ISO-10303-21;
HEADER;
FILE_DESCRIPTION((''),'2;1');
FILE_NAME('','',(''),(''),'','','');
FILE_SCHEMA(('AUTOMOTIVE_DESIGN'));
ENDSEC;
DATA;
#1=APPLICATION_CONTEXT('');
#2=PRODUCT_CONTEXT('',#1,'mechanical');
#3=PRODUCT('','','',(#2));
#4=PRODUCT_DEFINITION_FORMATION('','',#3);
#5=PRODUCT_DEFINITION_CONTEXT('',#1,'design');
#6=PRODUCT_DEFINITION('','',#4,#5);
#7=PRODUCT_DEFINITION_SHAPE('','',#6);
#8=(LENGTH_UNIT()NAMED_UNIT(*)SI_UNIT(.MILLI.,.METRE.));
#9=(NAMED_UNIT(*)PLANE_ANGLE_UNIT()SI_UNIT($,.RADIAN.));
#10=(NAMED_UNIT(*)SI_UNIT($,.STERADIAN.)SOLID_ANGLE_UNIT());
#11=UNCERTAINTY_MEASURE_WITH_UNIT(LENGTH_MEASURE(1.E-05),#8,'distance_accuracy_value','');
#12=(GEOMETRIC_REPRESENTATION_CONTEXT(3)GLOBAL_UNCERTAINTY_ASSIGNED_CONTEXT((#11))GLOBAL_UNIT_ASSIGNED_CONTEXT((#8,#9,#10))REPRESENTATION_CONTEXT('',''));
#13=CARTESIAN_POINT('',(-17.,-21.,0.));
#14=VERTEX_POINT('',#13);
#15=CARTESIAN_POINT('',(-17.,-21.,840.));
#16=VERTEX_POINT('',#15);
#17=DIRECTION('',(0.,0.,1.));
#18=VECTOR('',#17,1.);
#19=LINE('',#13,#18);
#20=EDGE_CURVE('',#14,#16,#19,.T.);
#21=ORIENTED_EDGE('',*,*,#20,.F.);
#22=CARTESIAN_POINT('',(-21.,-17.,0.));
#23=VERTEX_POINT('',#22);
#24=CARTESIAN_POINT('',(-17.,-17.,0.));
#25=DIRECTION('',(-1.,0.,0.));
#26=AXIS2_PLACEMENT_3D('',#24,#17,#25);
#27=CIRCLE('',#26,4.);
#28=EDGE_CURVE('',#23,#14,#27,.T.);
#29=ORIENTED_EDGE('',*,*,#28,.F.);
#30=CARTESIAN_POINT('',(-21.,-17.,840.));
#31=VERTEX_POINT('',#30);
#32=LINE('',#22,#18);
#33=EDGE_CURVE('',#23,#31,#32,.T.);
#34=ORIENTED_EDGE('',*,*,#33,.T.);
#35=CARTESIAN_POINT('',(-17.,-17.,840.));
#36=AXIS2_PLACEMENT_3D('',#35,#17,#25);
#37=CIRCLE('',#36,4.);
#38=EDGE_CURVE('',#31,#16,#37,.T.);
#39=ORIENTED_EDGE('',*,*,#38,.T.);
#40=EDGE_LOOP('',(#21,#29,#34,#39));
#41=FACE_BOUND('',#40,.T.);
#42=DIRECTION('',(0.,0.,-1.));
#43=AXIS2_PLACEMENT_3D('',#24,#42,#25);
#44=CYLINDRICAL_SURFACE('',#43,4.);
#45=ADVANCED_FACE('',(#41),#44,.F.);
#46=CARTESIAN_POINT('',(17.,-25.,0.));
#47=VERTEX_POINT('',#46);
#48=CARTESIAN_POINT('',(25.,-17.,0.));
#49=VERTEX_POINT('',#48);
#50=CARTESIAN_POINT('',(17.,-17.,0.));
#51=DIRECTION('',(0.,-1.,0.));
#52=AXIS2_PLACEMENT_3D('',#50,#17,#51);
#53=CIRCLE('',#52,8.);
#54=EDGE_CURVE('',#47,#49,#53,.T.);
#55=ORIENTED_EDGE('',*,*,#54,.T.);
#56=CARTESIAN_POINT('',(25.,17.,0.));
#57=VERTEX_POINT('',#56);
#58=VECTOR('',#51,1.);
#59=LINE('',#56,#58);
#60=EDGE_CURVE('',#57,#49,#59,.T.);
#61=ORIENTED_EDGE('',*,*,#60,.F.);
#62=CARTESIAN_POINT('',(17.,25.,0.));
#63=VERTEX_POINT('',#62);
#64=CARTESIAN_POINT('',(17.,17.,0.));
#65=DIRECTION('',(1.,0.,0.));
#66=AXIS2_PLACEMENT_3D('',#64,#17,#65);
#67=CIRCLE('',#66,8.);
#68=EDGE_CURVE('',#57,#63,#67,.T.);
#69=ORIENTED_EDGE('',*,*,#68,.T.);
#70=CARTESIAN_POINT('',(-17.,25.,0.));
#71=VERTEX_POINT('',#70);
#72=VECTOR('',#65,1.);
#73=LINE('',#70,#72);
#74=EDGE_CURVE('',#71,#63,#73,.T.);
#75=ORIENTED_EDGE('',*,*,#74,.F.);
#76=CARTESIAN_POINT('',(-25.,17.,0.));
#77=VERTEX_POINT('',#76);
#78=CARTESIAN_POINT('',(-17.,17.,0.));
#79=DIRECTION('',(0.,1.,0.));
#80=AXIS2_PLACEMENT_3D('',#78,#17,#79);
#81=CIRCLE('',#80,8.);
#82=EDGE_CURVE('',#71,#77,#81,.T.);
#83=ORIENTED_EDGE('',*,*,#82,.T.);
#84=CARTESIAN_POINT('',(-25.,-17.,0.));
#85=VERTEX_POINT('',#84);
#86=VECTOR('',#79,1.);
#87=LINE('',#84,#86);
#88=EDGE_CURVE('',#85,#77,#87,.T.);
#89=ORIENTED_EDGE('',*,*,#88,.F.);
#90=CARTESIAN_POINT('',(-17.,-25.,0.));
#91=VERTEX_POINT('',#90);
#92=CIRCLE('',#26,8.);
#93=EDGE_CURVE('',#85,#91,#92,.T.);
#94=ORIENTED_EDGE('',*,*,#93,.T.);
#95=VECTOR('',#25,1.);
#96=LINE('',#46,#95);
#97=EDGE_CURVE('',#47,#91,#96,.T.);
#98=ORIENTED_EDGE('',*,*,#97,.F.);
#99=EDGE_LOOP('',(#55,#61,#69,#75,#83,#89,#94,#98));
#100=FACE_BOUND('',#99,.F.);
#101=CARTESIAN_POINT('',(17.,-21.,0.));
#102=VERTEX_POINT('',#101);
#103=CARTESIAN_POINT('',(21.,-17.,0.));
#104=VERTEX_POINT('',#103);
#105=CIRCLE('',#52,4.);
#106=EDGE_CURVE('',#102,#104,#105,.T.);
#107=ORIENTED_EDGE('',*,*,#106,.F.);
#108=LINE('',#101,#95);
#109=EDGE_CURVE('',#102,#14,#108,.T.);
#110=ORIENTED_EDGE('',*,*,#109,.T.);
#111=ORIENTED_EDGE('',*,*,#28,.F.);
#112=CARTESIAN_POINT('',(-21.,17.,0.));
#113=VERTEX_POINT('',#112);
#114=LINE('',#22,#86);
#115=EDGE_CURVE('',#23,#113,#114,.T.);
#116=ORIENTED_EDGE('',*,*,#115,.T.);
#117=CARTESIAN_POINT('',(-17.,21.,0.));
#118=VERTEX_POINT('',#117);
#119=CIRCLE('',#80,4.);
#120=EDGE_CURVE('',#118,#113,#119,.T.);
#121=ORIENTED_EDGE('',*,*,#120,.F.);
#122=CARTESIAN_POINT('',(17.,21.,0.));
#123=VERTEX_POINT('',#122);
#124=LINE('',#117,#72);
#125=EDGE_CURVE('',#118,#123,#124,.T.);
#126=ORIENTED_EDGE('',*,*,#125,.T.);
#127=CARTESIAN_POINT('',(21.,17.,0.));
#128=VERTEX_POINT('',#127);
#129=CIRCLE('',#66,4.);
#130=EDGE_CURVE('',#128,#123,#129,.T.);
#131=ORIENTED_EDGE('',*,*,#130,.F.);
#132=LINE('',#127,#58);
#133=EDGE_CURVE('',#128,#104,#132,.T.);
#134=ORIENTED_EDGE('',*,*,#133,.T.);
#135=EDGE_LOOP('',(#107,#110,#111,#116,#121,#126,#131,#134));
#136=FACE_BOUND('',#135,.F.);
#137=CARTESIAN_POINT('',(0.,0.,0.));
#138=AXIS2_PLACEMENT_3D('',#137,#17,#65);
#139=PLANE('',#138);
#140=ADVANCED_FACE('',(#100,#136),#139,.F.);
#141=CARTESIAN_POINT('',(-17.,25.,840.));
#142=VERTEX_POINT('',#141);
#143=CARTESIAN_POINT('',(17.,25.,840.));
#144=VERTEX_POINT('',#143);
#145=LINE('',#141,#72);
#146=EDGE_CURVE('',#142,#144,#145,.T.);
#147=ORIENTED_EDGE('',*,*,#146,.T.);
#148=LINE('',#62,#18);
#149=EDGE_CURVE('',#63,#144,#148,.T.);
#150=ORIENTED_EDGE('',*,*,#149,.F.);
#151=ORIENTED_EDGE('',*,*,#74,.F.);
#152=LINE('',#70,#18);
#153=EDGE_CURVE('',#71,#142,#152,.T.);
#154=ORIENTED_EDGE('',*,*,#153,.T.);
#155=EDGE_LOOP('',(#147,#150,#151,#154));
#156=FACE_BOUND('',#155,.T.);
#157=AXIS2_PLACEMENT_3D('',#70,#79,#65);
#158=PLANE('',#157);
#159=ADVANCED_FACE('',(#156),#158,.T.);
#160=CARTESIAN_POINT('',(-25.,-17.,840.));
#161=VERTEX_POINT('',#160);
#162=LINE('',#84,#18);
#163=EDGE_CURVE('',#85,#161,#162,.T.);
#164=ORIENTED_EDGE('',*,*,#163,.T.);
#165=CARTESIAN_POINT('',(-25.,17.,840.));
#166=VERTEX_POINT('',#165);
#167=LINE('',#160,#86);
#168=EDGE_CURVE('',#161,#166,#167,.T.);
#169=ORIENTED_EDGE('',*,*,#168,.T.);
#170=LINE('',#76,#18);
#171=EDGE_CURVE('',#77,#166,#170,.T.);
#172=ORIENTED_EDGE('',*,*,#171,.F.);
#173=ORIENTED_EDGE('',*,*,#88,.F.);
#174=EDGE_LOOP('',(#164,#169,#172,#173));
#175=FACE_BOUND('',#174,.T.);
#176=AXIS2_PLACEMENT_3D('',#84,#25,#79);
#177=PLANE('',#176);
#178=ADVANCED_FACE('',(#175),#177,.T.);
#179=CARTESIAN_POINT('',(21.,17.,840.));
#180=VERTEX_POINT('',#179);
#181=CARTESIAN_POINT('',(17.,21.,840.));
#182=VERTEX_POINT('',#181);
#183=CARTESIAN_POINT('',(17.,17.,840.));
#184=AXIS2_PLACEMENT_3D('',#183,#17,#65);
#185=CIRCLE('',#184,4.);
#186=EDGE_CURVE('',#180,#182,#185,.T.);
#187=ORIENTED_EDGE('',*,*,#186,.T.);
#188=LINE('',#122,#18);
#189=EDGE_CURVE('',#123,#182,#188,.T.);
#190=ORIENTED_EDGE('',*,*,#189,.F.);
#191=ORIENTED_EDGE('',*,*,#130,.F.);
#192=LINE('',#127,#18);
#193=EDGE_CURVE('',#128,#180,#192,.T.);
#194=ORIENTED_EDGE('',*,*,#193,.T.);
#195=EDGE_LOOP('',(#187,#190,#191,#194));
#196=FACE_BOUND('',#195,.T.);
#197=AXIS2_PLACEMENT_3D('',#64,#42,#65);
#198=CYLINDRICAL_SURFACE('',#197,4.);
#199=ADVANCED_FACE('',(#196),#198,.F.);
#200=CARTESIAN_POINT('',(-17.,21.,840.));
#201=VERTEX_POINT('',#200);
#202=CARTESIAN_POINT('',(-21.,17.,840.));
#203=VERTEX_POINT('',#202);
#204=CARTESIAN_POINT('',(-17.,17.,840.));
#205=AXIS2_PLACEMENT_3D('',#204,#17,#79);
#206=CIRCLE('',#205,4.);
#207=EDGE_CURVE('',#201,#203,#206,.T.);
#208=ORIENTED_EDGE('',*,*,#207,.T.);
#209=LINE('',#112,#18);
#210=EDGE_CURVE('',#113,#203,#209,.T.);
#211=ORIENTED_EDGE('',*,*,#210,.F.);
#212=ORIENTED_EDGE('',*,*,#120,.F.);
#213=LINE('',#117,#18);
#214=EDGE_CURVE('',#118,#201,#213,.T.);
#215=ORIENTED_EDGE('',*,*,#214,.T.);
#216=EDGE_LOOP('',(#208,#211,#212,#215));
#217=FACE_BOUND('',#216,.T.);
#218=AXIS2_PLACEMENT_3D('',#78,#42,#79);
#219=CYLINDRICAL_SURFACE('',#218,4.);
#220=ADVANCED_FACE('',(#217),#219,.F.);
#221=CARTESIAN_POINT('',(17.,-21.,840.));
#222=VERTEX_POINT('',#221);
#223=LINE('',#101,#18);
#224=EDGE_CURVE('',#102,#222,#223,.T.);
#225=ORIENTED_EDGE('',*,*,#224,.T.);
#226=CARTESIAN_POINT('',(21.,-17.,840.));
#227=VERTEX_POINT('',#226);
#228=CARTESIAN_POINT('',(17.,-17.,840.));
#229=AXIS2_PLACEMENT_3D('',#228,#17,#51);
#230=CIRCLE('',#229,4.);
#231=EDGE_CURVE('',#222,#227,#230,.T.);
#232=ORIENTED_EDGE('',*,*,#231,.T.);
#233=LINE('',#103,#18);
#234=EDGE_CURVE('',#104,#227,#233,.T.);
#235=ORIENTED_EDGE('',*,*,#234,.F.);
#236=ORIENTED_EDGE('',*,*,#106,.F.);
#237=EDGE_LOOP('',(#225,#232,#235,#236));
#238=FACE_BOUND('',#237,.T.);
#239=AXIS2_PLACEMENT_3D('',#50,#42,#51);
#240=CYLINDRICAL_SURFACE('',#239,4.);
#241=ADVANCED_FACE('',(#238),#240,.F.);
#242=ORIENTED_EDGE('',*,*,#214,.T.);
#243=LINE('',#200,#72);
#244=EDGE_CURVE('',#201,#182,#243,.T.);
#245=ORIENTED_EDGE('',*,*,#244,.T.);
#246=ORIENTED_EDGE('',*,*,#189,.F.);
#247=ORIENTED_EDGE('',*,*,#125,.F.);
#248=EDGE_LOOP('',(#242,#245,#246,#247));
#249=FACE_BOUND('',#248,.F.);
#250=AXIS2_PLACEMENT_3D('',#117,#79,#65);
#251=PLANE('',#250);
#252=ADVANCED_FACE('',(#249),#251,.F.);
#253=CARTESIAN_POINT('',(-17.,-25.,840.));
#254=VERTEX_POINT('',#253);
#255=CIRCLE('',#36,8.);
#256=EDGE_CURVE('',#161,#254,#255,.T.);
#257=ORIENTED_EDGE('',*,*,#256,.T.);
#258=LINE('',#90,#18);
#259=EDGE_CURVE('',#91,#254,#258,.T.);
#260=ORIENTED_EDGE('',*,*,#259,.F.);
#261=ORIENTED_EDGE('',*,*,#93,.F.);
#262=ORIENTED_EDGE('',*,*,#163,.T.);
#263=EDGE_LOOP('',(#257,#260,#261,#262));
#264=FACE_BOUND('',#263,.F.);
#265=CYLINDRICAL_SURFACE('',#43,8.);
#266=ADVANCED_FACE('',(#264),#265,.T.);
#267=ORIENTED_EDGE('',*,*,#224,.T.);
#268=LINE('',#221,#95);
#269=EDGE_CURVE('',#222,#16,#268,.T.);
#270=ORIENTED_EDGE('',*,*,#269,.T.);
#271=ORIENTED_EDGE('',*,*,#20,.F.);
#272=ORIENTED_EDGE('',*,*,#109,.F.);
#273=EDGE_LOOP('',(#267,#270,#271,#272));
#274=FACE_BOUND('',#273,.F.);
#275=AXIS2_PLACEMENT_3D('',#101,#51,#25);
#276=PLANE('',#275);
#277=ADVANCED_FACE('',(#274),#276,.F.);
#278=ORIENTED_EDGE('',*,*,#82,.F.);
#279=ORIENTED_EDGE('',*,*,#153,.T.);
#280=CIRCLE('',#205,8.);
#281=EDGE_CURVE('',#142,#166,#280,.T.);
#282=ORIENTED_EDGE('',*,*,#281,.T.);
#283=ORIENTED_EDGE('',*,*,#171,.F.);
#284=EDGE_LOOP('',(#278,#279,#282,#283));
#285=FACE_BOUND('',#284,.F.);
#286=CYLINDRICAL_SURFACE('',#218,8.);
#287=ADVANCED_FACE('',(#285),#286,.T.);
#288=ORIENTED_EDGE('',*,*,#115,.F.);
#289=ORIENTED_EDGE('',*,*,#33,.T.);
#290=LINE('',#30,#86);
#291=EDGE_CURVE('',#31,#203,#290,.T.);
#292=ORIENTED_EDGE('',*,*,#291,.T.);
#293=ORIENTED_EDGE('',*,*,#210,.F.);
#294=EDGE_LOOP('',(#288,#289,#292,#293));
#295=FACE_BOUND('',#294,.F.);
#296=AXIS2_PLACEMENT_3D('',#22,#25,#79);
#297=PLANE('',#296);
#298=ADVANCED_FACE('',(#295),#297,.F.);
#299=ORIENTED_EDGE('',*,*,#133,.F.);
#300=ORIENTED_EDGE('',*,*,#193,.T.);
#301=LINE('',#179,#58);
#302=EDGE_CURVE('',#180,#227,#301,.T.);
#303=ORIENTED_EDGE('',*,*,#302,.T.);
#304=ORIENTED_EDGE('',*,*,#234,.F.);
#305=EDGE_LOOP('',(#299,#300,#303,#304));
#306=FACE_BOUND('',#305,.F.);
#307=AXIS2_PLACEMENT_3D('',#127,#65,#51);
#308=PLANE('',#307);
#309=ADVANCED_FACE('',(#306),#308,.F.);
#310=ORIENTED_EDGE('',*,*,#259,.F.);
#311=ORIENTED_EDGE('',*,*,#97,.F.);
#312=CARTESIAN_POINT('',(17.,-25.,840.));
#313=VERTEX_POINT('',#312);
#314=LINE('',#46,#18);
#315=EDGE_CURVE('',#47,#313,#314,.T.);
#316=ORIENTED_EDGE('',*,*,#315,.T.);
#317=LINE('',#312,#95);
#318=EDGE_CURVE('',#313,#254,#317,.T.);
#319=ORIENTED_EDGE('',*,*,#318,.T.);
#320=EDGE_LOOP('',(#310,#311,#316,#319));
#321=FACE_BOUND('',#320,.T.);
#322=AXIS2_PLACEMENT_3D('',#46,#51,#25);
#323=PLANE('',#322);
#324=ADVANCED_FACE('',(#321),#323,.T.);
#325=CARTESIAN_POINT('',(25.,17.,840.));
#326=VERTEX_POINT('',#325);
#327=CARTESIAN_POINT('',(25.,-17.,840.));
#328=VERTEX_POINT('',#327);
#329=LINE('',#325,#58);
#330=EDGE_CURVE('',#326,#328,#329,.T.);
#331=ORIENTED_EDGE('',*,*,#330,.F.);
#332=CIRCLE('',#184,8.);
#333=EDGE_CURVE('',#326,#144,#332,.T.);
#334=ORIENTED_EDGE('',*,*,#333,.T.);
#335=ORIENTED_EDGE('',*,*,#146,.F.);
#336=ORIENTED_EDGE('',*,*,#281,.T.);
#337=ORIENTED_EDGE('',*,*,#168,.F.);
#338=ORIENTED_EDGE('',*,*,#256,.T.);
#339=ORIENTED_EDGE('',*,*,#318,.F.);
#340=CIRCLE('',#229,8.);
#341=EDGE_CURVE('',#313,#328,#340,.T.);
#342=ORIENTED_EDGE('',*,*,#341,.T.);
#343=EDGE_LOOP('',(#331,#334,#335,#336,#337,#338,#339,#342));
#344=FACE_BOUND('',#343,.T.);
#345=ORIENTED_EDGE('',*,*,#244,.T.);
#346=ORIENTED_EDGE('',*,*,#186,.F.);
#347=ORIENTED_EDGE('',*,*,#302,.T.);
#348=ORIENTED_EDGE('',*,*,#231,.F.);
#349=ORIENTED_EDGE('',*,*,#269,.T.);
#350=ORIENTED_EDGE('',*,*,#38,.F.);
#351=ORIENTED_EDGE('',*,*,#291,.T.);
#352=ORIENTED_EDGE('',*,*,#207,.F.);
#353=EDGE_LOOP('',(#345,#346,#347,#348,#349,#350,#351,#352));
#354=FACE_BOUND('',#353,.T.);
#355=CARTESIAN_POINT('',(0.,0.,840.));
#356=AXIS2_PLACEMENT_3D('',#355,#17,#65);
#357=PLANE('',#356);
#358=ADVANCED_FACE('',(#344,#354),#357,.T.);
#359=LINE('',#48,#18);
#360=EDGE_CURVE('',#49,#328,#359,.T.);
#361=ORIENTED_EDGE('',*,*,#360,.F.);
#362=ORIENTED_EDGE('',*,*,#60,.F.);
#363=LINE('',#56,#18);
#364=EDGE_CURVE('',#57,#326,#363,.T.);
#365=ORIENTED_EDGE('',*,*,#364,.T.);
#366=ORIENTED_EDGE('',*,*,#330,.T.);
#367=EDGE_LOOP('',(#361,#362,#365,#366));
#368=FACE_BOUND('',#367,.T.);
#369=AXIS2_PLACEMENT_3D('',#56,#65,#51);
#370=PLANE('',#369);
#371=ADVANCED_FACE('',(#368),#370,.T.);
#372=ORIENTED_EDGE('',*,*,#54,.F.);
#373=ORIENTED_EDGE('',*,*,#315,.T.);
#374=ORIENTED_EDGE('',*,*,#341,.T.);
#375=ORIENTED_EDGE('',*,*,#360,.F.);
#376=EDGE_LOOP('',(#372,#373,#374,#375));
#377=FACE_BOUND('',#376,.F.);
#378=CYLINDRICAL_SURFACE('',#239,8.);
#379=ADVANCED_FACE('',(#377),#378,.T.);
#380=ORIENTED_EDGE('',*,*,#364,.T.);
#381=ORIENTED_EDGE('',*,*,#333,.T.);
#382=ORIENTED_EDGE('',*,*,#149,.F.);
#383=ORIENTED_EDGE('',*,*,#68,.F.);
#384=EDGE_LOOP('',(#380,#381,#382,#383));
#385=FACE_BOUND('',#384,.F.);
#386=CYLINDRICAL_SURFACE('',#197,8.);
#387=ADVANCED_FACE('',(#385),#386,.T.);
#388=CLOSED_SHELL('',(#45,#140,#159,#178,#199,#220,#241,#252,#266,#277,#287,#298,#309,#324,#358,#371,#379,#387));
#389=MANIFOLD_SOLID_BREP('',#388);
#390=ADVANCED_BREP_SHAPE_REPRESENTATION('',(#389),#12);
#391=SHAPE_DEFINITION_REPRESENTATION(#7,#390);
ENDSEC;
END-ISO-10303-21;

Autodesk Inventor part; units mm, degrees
ref_plane "YZ Plane" through (0, 0, 0) normal (1, 0, 0) x (0, 1, 0)
ref_plane "Start Plane" through (0, 0, 0) normal (0, 0, 1) x (1, 0, 0)
ref_plane "End Plane" through (0, 0, 840) normal (0, 0, 1) x (1, 0, 0)
sketch "Sketch" plane through (0, 0, 0) normal (0, 0, 1) x (1, 0, 0)
  line L0 (-25, -17) -> (-25, 17)
  line L1 (-17, 25) -> (17, 25)
  line L2 (25, 17) -> (25, -17)
  line L3 (17, -25) -> (-17, -25)
  arc A0 (-25, -17) -> (-17, -25) centre (-17, -17) ccw
  arc A1 (25, 17) -> (17, 25) centre (17, 17) ccw
  arc A2 (-17, 25) -> (-25, 17) centre (-17, 17) ccw
  arc A3 (17, -25) -> (25, -17) centre (17, -17) ccw
  arc A4 (-17, 21) -> (-21, 17) centre (-17, 17) ccw
  line L4 (-17, 21) -> (17, 21)
  arc A5 (21, 17) -> (17, 21) centre (17, 17) ccw
  line L5 (21, 17) -> (21, -17)
  arc A6 (17, -21) -> (21, -17) centre (17, -17) ccw
  line L6 (17, -21) -> (-17, -21)
  arc A7 (-21, -17) -> (-17, -21) centre (-17, -17) ccw
  line L7 (-21, -17) -> (-21, 17)
  line L8 (0, 37.3196) -> (0, -37.3196) construction
  line L9 (-37.3196, 0) -> (37.3196, 0) construction
  dimension "d7" = 8
  dimension "d9" = 50
  dimension "d11" = 50
  dimension "d12" = 4
  dimension "d15" = 25
  dimension "d16" = 25
extrude "Body" add sketch "Sketch" along normal up to surface (840 mm away) from surface at 0
sketch "Sketch3" plane through (0, 0, 0) normal (0, 0, 1) x (1, 0, 0)
  line L0 (0, 0) -> (10, 0)
ref_plane "Work Plane3" through (0, 0, 0) normal (0, -1, 0) x (1, 0, 0)
sketch "Sketch4" plane through (0, 0, 0) normal (0, -1, 0) x (1, 0, 0)
  line L0 (-2, 0) -> (12, 0) projected
  line L1 (-2, 840) -> (12, 840) projected
  dimension "d18" = 840
equation "\"d7\" = G_IR"
equation "\"d9\" = G_W"
equation "\"d11\" = G_H"
equation "\"d12\" = G_T"
equation "\"d15\" = 0.5 * d9"
equation "\"d16\" = 0.5 * d11"
equation "\"d3\" = G_L"
equation "\"G_W\" = 50"
equation "\"G_H\" = 50"
equation "\"G_T\" = 4"
equation "\"G_IR\" = 8"
equation "\"G_L\" = d18"
equation "\"G_OFFSET_START\" = 0"
equation "\"G_OFFSET_END\" = 0"
properties part number "ISO 4019 - 50x50x4 - 840" material "Steel, Mild"
